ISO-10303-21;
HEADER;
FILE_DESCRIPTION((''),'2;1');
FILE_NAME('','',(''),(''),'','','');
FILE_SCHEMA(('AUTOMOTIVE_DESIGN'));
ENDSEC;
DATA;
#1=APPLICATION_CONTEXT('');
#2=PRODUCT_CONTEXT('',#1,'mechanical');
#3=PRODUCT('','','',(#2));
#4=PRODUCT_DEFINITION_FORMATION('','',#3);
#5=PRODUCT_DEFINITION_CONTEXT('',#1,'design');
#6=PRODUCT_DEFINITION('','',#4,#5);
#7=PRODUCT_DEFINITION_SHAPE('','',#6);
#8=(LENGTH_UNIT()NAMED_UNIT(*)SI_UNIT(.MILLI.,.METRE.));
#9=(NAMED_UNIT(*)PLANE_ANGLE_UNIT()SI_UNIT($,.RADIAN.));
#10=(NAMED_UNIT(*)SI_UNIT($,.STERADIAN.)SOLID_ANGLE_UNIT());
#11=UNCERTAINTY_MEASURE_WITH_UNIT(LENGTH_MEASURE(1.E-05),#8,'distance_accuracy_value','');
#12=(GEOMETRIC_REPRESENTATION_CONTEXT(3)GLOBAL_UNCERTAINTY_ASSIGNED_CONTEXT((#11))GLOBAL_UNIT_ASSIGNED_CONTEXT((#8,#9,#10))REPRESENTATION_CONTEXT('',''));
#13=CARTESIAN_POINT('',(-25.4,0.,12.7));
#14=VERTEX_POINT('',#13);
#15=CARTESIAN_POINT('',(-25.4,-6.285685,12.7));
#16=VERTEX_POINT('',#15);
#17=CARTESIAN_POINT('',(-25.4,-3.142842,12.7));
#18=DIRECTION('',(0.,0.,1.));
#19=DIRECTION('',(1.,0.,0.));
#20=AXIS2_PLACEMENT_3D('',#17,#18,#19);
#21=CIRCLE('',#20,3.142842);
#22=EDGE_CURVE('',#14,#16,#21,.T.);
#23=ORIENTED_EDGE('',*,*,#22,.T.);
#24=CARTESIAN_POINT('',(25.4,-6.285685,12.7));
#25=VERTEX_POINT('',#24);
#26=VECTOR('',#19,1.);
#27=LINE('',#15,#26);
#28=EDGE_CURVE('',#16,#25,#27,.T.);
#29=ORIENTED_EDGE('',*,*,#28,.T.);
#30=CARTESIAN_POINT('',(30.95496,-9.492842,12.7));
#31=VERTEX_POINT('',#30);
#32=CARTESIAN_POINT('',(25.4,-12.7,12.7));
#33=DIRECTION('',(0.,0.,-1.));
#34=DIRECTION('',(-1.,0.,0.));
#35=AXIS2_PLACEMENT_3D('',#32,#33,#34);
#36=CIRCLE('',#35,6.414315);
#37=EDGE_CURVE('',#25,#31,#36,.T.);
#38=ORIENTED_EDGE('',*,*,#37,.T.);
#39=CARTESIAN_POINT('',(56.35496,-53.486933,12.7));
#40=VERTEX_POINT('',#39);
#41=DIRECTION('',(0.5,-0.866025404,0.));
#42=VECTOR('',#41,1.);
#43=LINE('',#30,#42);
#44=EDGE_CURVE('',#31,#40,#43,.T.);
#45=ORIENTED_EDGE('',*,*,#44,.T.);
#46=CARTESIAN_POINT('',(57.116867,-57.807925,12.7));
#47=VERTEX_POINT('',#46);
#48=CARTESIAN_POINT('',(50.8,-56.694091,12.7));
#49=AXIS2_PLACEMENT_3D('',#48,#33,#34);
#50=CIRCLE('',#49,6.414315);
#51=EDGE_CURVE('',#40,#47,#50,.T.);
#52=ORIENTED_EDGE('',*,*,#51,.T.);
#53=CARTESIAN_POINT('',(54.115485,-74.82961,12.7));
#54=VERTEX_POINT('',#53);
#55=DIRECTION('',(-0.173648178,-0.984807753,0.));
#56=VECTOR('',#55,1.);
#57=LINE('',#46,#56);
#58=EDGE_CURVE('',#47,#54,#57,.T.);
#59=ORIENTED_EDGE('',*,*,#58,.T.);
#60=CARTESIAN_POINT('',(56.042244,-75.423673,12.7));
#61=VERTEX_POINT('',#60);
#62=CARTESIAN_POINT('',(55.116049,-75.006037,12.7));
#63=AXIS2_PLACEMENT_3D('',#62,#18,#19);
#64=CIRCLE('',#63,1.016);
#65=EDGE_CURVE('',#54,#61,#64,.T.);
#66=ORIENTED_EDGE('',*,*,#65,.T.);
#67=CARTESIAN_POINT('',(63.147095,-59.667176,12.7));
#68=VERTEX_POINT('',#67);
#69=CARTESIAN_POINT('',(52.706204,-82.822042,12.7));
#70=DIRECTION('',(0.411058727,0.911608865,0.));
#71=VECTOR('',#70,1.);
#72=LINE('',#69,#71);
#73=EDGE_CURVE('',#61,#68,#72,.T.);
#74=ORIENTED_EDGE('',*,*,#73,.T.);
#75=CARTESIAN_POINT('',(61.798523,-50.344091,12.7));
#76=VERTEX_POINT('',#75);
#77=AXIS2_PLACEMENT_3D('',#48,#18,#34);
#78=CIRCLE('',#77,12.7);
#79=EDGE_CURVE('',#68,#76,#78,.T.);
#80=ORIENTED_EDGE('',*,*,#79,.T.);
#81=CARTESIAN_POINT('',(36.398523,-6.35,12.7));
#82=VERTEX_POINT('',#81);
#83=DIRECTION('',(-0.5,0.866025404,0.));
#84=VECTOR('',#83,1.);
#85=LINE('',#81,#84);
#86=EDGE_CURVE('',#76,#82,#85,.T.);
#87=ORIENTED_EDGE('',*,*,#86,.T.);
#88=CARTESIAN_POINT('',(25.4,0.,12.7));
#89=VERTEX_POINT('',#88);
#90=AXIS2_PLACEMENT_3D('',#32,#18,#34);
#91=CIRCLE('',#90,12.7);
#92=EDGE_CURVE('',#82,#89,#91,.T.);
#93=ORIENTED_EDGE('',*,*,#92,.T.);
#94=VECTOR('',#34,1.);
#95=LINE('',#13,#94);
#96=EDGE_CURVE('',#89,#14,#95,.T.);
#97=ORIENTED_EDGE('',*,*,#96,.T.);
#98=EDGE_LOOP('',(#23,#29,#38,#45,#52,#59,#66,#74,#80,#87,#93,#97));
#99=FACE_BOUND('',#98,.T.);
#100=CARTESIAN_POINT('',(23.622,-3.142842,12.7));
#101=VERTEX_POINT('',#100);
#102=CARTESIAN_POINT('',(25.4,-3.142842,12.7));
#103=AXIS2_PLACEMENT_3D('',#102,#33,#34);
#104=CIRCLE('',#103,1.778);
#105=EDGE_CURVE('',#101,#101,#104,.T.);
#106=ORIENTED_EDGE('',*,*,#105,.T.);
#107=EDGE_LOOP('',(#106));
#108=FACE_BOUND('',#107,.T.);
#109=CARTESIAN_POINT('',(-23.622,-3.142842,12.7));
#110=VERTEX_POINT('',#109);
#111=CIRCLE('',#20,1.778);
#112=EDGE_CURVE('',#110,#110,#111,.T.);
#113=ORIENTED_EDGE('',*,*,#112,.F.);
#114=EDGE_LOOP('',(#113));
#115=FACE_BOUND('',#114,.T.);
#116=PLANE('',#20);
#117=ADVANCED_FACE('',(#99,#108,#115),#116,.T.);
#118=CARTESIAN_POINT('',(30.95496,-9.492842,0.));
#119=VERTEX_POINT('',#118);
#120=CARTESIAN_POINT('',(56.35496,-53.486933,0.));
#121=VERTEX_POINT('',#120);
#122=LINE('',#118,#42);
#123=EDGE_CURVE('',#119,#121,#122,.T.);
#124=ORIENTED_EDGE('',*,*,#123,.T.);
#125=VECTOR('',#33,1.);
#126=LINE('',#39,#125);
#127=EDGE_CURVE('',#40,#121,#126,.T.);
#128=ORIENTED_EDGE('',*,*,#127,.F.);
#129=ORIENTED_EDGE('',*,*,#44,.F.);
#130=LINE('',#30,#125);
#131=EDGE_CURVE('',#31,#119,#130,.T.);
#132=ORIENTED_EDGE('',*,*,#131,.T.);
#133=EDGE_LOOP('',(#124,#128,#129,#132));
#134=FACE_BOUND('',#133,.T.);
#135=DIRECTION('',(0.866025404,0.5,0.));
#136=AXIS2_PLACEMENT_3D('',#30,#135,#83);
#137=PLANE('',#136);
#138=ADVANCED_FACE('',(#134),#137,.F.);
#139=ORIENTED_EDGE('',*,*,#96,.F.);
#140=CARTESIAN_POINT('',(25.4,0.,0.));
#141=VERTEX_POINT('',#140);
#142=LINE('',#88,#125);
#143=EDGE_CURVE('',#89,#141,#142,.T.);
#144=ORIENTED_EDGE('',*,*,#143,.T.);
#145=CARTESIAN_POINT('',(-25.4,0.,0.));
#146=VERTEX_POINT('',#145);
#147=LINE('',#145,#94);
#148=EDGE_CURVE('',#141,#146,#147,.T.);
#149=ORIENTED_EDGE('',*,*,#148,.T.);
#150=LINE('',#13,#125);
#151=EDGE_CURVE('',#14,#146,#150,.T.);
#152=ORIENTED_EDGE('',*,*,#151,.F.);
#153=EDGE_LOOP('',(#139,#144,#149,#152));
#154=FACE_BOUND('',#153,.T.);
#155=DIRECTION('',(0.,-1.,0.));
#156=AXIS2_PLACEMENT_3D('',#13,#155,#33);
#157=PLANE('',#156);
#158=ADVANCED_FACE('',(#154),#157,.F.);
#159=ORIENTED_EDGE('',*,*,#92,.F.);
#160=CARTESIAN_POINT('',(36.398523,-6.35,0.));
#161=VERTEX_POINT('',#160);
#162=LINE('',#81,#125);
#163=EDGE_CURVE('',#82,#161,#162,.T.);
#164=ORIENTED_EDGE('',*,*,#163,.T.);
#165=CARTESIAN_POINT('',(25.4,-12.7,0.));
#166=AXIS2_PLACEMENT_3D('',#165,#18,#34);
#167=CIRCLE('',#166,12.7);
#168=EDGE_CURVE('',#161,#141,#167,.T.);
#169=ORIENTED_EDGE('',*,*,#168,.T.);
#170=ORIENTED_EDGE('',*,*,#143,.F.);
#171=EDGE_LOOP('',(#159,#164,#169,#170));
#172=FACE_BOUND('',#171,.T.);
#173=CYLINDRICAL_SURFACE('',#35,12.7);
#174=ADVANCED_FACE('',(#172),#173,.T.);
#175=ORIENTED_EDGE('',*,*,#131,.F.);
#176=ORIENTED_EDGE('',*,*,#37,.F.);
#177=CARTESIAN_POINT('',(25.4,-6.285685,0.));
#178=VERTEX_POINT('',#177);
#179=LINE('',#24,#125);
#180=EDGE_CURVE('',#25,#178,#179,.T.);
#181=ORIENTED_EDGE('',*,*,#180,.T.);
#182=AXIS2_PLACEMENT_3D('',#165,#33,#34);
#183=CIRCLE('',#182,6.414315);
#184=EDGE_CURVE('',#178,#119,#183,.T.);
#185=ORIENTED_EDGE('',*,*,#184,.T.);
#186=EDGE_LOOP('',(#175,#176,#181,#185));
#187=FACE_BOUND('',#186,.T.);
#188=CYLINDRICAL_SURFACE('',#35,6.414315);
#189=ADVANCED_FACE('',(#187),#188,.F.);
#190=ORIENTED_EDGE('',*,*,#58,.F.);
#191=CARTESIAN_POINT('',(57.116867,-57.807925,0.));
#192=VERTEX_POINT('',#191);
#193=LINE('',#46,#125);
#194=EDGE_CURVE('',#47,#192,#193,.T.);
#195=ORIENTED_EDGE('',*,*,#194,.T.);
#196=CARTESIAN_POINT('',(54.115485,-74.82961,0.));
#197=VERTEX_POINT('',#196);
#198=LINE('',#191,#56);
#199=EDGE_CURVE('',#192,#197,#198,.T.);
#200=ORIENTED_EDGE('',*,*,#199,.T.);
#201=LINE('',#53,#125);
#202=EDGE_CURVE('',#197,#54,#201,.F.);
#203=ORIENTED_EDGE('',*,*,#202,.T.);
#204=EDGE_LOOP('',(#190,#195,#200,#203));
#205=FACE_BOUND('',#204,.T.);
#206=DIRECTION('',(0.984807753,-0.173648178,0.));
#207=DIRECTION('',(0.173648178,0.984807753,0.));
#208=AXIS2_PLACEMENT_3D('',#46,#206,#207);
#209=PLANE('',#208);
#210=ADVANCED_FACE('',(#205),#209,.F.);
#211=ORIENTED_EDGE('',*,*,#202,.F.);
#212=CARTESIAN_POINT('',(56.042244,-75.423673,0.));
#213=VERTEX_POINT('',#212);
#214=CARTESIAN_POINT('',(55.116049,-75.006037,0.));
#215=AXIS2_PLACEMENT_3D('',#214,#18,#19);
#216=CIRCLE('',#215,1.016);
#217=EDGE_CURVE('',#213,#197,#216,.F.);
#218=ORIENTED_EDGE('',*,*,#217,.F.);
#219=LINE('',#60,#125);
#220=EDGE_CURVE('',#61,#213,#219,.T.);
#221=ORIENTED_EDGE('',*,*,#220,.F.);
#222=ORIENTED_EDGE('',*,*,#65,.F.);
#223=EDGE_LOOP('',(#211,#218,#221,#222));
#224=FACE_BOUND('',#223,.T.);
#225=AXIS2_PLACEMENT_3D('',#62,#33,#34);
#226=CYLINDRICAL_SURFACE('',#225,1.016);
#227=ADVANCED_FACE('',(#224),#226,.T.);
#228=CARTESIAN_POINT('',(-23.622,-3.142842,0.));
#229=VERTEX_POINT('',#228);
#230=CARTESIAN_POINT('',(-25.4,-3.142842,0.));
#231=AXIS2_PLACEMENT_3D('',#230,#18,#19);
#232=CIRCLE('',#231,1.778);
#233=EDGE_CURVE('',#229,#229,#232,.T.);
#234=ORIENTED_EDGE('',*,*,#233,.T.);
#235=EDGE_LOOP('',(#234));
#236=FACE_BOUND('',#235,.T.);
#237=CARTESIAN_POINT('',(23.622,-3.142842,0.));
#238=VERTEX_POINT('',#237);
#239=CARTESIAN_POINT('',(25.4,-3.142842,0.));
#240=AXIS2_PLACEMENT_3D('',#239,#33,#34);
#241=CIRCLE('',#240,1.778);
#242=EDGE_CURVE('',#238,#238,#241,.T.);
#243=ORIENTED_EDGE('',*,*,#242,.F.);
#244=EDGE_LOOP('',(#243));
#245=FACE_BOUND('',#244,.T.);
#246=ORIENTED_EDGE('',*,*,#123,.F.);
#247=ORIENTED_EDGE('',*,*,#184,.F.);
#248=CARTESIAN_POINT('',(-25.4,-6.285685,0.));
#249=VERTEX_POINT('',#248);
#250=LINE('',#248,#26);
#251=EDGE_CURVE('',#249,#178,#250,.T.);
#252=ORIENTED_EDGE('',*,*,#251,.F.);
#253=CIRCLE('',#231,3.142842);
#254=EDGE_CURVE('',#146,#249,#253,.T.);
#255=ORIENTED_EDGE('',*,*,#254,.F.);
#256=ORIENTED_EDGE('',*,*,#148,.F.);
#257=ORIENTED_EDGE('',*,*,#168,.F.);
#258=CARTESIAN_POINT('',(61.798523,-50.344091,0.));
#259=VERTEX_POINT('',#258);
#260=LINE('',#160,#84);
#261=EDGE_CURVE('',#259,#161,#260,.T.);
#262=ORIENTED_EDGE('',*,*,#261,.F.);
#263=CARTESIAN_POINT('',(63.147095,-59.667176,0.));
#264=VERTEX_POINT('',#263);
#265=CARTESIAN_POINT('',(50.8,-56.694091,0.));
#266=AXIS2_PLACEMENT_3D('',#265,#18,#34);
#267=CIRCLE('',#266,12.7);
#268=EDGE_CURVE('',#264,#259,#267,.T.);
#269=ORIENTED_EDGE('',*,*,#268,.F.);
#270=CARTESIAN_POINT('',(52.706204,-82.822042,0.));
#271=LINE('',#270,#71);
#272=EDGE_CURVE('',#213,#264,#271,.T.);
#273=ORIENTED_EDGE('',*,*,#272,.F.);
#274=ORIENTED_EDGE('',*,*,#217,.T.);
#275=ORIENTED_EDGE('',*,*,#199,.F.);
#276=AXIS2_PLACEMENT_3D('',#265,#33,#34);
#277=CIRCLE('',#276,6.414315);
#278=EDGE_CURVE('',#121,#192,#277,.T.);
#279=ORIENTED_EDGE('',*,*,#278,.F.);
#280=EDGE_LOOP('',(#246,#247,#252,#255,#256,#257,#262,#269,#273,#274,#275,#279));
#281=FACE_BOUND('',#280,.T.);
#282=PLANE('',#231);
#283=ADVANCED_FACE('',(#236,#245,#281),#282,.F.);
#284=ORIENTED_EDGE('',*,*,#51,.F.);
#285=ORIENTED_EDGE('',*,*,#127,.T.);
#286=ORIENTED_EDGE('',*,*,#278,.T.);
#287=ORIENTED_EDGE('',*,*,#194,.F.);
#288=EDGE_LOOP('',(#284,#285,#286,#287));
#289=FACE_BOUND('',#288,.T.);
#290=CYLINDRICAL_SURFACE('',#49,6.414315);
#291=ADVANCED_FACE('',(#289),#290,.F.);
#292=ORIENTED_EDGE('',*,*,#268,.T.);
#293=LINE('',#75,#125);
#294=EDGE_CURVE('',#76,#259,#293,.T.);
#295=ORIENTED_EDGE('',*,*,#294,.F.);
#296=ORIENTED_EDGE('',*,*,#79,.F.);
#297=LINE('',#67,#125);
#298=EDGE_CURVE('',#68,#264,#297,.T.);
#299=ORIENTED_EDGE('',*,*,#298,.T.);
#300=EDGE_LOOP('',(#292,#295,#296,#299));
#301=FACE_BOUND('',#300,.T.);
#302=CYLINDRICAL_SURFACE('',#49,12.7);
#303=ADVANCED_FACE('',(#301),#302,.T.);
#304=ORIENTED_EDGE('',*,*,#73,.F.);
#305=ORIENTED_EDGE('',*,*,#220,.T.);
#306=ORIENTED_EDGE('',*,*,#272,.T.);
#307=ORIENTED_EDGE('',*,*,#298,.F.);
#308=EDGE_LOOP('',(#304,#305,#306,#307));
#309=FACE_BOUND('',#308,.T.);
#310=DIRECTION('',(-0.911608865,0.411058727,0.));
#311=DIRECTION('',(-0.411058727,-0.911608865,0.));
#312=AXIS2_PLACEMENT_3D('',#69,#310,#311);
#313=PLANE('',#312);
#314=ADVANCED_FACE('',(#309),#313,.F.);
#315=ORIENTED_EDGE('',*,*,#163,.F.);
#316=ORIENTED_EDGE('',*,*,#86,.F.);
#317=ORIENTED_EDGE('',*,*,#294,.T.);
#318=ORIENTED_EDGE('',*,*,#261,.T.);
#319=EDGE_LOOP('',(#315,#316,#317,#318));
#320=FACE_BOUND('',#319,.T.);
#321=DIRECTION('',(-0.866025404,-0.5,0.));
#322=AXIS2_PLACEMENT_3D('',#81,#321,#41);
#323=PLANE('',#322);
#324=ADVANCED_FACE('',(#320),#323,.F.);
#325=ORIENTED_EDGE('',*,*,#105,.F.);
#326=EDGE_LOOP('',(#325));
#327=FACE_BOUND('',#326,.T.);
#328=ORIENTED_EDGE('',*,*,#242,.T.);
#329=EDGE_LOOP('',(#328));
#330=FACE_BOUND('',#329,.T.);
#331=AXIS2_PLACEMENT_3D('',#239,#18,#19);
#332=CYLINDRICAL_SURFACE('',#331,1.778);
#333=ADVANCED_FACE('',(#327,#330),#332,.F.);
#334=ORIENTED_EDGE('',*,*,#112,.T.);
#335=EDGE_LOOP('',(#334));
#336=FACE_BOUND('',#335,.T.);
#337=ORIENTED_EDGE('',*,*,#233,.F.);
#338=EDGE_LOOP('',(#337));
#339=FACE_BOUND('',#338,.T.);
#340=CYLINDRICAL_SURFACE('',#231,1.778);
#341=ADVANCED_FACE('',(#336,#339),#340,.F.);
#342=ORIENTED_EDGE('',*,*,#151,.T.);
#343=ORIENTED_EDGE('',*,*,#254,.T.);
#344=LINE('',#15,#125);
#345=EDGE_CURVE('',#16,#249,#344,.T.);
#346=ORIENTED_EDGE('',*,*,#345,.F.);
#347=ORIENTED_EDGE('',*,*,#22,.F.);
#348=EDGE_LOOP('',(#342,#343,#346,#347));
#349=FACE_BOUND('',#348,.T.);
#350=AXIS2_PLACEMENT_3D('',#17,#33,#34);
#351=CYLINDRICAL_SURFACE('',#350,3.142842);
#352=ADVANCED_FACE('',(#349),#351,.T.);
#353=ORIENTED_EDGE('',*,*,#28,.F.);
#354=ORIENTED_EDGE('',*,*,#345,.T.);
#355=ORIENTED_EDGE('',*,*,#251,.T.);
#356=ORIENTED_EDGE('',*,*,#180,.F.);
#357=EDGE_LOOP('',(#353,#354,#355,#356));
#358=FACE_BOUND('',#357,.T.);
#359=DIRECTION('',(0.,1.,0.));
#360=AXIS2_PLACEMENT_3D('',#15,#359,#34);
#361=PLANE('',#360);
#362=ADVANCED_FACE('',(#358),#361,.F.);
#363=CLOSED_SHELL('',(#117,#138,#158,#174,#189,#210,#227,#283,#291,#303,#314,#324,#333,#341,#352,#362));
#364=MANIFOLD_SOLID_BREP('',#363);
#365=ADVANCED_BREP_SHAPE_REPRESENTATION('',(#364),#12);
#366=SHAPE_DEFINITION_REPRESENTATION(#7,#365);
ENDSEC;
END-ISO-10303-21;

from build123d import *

# Parameters (mm, degrees)
BOSS_EXTRUDE1_DEPTH = 12.7
SKETCH2_R           = 1.778
CUT_EXTRUDE1_DEPTH  = 106.13339417
FILLET1_R           = 1.016


with BuildPart() as part:
    # Sketch1 → Boss-Extrude1 (new body)
    with BuildSketch(Plane.XY):
        with BuildLine():
            Line((-25.4, 0), (25.4, 0))
            ThreePointArc((25.4, 0), (31.75, -1.701477372), (36.398522628, -6.35))
            Line((36.398522628, -6.35), (61.798522628, -50.344090512))
            ThreePointArc((61.798522628, -50.344090512), (63.369186559, -54.875973564), (63.147095217, -59.6671764))
            Line((63.147095217, -59.6671764), (52.706203541, -82.822041569))
            Line((52.706203541, -82.822041569), (57.116867254, -57.807924643))
            ThreePointArc((57.116867254, -57.807924643), (57.116867254, -55.580256382), (56.354959836, -53.486932956))
            Line((56.354959836, -53.486932956), (30.954959836, -9.492842444))
            ThreePointArc((30.954959836, -9.492842444), (28.607157556, -7.145040164), (25.4, -6.285684887))
            Line((25.4, -6.285684887), (-25.4, -6.285684887))
            ThreePointArc((-25.4, -6.285684887), (-28.542842444, -3.142842444), (-25.4, 0))
        make_face()
    extrude(amount=BOSS_EXTRUDE1_DEPTH)

    # Sketch2 → Cut-Extrude1 (cut, through all)
    with BuildSketch(Plane.XY.offset(12.7)):
        with Locations((-25.4, -3.142842444)):
            Circle(SKETCH2_R)
    cut_extrude1 = extrude(amount=-CUT_EXTRUDE1_DEPTH, mode=Mode.SUBTRACT)

    # Mirror1: Cut-Extrude1 across plane
    add(cut_extrude1.mirror(Plane(origin=(0, 0, 0), x_dir=(0, 0, 1), z_dir=(1, 0, 0))), mode=Mode.SUBTRACT)

    # Fillet1
    fillet1_edges = [part.edges().sort_by_distance(p)[0] for p in [
        (52.706203541, -82.822041569, 6.35),
    ]]
    fillet(fillet1_edges, radius=FILLET1_R)


solid = part.part
